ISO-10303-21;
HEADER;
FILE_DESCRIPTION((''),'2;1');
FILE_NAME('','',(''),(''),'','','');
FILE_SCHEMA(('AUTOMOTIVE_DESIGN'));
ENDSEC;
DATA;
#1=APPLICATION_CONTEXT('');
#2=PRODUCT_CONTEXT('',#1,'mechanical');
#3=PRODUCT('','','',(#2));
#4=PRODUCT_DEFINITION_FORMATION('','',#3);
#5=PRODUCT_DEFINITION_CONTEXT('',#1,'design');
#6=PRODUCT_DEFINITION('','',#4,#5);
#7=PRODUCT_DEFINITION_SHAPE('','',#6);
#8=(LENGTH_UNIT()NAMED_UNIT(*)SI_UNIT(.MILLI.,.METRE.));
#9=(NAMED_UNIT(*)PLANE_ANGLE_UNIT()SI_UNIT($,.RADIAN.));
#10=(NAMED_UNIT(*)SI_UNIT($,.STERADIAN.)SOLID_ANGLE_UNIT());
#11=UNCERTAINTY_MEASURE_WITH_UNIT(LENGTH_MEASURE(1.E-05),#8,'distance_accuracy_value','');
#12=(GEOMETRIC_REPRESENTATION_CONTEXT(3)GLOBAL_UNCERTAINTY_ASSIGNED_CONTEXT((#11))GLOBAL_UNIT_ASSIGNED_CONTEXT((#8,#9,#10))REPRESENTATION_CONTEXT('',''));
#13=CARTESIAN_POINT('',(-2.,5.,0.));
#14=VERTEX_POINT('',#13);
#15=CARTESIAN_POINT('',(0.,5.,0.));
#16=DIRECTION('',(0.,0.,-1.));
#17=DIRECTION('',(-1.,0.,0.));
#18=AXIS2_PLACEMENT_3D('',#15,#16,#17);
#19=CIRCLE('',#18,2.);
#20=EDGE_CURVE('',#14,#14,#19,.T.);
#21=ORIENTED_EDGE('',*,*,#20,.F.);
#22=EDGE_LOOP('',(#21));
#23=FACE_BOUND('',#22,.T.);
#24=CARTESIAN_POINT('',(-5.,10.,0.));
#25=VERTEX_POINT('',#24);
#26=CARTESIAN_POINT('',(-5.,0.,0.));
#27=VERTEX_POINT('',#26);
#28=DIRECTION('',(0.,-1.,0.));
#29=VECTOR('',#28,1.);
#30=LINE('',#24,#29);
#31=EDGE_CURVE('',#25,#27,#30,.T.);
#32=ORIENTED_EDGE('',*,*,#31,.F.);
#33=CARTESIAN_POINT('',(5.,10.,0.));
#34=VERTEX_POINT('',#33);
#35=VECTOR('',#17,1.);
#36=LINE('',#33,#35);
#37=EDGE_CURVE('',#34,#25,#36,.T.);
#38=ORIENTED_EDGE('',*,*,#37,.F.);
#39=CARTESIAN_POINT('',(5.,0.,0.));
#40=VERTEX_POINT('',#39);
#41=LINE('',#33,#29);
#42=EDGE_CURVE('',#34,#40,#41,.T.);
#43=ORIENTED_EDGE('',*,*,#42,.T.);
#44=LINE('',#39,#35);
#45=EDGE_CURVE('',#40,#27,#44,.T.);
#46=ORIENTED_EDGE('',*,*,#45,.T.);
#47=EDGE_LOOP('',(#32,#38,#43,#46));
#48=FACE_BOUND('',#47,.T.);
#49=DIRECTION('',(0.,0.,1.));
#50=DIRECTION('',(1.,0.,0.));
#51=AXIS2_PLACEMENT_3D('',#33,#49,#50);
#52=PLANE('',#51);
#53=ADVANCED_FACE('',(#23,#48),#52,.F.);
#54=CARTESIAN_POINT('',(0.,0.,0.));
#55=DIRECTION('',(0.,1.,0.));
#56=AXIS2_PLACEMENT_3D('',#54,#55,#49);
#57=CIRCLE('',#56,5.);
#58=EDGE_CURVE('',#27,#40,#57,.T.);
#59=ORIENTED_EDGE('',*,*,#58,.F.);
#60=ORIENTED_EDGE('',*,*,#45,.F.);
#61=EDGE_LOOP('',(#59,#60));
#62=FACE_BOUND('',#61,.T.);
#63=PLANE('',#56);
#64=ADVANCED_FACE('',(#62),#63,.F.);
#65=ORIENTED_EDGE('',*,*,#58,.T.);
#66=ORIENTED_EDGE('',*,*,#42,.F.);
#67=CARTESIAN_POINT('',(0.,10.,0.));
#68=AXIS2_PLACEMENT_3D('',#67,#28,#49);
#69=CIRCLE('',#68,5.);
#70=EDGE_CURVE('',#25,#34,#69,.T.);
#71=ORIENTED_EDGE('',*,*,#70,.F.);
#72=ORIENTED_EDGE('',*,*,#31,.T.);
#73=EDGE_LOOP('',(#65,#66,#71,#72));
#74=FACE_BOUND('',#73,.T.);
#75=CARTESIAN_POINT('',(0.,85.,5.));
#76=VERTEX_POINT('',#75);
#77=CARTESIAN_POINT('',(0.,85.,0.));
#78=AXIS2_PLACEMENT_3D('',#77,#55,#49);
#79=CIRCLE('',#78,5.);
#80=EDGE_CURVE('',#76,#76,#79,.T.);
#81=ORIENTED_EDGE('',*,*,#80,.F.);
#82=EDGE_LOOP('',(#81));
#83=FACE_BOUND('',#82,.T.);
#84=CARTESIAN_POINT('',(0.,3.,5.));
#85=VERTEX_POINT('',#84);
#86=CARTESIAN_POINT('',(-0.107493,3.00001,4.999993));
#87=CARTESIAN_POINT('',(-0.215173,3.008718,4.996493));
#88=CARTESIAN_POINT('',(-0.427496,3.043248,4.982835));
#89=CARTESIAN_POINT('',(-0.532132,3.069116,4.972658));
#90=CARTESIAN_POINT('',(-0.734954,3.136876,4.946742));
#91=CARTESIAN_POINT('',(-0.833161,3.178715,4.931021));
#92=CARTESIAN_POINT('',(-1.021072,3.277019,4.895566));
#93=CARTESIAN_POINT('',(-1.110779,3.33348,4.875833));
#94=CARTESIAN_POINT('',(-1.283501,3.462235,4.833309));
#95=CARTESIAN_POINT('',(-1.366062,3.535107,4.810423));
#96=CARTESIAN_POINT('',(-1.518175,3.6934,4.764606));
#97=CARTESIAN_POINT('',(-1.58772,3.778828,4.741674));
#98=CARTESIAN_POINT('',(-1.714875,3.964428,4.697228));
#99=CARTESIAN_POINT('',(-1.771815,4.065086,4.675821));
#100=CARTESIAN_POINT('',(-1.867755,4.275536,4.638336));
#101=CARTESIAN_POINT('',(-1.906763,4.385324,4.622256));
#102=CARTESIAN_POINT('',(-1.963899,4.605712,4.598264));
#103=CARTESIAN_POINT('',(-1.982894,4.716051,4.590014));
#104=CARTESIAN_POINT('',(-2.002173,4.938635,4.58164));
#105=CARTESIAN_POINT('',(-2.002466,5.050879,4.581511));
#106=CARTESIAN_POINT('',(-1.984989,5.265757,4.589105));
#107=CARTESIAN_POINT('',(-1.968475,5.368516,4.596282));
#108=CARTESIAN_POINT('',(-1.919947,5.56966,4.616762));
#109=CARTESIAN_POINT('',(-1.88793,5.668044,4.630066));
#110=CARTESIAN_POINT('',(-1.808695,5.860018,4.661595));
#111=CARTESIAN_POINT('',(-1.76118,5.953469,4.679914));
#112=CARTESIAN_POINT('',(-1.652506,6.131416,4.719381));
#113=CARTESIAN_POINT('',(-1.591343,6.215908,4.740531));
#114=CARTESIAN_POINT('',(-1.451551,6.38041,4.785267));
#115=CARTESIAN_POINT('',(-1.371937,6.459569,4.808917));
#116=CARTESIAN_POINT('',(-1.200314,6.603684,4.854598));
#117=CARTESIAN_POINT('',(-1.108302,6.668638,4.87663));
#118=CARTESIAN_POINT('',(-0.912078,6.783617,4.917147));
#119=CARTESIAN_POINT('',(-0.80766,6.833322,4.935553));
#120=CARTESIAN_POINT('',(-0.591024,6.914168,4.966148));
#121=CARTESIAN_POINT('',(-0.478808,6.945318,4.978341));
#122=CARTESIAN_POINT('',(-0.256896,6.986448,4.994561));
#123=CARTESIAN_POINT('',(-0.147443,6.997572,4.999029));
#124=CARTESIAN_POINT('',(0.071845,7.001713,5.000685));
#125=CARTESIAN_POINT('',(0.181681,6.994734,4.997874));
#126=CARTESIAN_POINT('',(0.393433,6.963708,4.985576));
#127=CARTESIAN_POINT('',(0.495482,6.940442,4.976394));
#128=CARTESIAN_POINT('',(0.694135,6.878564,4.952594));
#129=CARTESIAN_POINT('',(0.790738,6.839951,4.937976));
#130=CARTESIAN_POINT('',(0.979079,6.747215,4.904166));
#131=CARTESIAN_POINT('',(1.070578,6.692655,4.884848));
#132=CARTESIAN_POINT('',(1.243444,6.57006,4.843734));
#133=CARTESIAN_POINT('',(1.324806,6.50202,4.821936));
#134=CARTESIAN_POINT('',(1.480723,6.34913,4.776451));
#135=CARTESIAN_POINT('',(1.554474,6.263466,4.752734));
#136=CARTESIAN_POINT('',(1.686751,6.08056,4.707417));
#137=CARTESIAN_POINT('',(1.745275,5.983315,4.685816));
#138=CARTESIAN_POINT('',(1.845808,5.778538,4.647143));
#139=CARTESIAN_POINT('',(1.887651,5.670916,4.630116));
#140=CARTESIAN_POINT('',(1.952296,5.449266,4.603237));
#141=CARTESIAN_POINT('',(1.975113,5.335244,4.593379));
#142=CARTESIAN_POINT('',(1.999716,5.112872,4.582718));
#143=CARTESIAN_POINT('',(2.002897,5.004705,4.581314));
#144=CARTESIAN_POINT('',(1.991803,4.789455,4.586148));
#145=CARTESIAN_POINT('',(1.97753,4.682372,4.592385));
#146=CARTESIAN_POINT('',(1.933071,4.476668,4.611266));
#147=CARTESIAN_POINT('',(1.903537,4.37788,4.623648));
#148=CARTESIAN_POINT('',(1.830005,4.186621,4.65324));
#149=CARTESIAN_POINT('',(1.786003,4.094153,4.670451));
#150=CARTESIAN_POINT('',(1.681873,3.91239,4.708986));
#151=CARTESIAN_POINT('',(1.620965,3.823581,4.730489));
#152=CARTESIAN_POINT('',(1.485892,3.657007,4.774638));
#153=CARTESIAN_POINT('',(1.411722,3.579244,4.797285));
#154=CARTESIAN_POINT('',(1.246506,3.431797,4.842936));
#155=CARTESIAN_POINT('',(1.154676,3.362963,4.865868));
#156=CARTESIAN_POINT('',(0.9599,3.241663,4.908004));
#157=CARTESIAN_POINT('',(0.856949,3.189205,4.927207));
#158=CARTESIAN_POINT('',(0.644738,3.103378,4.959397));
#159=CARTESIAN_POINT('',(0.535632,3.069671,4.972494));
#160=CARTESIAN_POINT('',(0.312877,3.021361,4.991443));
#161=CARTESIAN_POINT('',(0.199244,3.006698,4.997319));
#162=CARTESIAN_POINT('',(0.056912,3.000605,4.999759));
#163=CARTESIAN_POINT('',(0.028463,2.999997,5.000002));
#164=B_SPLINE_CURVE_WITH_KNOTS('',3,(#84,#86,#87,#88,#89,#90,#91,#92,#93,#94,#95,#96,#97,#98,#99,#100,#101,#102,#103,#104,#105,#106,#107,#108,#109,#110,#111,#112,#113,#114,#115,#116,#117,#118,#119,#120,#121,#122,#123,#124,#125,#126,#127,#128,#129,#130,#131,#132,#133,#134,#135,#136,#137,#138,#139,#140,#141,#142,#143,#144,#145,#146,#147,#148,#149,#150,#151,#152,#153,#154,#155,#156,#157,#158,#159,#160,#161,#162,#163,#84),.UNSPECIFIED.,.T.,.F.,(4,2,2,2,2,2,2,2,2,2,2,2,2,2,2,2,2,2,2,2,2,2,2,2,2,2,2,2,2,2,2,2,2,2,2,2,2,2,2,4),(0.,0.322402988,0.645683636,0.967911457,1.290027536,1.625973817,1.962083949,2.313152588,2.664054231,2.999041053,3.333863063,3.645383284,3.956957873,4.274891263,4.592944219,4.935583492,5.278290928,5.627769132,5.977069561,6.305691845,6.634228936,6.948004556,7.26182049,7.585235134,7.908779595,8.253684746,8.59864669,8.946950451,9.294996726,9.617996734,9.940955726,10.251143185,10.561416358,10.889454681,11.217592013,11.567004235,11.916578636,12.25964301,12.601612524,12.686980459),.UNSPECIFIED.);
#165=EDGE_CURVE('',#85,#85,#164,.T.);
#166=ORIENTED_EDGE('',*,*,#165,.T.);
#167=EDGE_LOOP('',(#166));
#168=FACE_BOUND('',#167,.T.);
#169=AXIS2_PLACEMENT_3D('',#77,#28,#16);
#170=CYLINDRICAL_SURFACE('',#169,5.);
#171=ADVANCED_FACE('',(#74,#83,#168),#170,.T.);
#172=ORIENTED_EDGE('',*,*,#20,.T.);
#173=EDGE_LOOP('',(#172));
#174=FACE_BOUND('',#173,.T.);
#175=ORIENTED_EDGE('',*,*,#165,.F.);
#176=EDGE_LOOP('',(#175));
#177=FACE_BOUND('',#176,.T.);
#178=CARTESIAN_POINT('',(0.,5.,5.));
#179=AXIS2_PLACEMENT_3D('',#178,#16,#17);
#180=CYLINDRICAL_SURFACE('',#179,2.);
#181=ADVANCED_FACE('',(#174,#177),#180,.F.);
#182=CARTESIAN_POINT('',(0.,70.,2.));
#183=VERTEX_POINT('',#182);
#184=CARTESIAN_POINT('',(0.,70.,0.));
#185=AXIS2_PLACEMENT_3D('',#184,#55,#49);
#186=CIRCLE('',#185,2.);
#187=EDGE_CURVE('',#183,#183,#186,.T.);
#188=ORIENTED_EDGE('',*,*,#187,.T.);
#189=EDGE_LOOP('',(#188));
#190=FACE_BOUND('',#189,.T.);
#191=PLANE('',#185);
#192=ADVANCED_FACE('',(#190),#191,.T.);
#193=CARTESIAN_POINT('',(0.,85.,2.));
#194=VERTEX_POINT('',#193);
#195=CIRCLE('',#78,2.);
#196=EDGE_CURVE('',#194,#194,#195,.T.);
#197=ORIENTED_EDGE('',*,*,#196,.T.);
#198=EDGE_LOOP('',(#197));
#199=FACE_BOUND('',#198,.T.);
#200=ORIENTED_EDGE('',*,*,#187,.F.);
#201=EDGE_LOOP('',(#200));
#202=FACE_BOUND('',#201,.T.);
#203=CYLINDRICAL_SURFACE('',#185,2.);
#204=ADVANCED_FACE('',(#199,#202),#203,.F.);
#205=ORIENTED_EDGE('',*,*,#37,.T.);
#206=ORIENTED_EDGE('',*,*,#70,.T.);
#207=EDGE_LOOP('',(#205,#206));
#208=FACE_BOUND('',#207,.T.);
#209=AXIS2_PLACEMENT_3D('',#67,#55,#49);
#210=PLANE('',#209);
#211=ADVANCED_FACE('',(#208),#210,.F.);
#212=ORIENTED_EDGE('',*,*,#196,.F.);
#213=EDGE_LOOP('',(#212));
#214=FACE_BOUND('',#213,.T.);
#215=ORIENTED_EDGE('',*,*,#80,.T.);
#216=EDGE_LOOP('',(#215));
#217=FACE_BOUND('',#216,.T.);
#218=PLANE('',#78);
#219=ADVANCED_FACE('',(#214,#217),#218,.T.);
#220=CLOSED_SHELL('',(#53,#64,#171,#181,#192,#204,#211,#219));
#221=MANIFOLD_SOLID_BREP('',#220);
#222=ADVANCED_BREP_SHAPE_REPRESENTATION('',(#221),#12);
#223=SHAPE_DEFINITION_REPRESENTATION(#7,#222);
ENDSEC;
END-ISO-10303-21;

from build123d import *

# Parameters (mm, degrees)
SKETCH1_R           = 5
BOSS_EXTRUDE1_DEPTH = 85
SKETCH2_R           = 2
CUT_EXTRUDE1_DEPTH  = 15
CUT_EXTRUDE5_DEPTH  = 10
SKETCH6_R           = 2
CUT_EXTRUDE6_DEPTH  = 6


with BuildPart() as part:
    # Sketch1 → Boss-Extrude1 (new body)
    with BuildSketch(Plane(origin=(0, 0, 0), x_dir=(1, 0, 0), z_dir=(0, 1, 0))):
        Circle(SKETCH1_R)
    extrude(amount=BOSS_EXTRUDE1_DEPTH)

    # Sketch2 → Cut-Extrude1 (cut)
    with BuildSketch(Plane(origin=(0, 85, 0), x_dir=(1, 0, 0), z_dir=(0, 1, 0))):
        Circle(SKETCH2_R)
    extrude(amount=-CUT_EXTRUDE1_DEPTH, mode=Mode.SUBTRACT)

    # Sketch3 → Cut-Extrude5 (cut)
    with BuildSketch(Plane.XZ):
        with BuildLine():
            Line((5, 0), (-5, 0))
            ThreePointArc((-5, 0), (0, -5), (5, 0))
        make_face()
    extrude(amount=-CUT_EXTRUDE5_DEPTH, mode=Mode.SUBTRACT)

    # Sketch6 → Cut-Extrude6 (cut, through all)
    with BuildSketch(Plane(origin=(0, 0, 0), x_dir=(-1, 0, 0), z_dir=(0, 0, -1))):
        with Locations((0, 5)):
            Circle(SKETCH6_R)
    extrude(amount=-CUT_EXTRUDE6_DEPTH, mode=Mode.SUBTRACT)


solid = part.part
